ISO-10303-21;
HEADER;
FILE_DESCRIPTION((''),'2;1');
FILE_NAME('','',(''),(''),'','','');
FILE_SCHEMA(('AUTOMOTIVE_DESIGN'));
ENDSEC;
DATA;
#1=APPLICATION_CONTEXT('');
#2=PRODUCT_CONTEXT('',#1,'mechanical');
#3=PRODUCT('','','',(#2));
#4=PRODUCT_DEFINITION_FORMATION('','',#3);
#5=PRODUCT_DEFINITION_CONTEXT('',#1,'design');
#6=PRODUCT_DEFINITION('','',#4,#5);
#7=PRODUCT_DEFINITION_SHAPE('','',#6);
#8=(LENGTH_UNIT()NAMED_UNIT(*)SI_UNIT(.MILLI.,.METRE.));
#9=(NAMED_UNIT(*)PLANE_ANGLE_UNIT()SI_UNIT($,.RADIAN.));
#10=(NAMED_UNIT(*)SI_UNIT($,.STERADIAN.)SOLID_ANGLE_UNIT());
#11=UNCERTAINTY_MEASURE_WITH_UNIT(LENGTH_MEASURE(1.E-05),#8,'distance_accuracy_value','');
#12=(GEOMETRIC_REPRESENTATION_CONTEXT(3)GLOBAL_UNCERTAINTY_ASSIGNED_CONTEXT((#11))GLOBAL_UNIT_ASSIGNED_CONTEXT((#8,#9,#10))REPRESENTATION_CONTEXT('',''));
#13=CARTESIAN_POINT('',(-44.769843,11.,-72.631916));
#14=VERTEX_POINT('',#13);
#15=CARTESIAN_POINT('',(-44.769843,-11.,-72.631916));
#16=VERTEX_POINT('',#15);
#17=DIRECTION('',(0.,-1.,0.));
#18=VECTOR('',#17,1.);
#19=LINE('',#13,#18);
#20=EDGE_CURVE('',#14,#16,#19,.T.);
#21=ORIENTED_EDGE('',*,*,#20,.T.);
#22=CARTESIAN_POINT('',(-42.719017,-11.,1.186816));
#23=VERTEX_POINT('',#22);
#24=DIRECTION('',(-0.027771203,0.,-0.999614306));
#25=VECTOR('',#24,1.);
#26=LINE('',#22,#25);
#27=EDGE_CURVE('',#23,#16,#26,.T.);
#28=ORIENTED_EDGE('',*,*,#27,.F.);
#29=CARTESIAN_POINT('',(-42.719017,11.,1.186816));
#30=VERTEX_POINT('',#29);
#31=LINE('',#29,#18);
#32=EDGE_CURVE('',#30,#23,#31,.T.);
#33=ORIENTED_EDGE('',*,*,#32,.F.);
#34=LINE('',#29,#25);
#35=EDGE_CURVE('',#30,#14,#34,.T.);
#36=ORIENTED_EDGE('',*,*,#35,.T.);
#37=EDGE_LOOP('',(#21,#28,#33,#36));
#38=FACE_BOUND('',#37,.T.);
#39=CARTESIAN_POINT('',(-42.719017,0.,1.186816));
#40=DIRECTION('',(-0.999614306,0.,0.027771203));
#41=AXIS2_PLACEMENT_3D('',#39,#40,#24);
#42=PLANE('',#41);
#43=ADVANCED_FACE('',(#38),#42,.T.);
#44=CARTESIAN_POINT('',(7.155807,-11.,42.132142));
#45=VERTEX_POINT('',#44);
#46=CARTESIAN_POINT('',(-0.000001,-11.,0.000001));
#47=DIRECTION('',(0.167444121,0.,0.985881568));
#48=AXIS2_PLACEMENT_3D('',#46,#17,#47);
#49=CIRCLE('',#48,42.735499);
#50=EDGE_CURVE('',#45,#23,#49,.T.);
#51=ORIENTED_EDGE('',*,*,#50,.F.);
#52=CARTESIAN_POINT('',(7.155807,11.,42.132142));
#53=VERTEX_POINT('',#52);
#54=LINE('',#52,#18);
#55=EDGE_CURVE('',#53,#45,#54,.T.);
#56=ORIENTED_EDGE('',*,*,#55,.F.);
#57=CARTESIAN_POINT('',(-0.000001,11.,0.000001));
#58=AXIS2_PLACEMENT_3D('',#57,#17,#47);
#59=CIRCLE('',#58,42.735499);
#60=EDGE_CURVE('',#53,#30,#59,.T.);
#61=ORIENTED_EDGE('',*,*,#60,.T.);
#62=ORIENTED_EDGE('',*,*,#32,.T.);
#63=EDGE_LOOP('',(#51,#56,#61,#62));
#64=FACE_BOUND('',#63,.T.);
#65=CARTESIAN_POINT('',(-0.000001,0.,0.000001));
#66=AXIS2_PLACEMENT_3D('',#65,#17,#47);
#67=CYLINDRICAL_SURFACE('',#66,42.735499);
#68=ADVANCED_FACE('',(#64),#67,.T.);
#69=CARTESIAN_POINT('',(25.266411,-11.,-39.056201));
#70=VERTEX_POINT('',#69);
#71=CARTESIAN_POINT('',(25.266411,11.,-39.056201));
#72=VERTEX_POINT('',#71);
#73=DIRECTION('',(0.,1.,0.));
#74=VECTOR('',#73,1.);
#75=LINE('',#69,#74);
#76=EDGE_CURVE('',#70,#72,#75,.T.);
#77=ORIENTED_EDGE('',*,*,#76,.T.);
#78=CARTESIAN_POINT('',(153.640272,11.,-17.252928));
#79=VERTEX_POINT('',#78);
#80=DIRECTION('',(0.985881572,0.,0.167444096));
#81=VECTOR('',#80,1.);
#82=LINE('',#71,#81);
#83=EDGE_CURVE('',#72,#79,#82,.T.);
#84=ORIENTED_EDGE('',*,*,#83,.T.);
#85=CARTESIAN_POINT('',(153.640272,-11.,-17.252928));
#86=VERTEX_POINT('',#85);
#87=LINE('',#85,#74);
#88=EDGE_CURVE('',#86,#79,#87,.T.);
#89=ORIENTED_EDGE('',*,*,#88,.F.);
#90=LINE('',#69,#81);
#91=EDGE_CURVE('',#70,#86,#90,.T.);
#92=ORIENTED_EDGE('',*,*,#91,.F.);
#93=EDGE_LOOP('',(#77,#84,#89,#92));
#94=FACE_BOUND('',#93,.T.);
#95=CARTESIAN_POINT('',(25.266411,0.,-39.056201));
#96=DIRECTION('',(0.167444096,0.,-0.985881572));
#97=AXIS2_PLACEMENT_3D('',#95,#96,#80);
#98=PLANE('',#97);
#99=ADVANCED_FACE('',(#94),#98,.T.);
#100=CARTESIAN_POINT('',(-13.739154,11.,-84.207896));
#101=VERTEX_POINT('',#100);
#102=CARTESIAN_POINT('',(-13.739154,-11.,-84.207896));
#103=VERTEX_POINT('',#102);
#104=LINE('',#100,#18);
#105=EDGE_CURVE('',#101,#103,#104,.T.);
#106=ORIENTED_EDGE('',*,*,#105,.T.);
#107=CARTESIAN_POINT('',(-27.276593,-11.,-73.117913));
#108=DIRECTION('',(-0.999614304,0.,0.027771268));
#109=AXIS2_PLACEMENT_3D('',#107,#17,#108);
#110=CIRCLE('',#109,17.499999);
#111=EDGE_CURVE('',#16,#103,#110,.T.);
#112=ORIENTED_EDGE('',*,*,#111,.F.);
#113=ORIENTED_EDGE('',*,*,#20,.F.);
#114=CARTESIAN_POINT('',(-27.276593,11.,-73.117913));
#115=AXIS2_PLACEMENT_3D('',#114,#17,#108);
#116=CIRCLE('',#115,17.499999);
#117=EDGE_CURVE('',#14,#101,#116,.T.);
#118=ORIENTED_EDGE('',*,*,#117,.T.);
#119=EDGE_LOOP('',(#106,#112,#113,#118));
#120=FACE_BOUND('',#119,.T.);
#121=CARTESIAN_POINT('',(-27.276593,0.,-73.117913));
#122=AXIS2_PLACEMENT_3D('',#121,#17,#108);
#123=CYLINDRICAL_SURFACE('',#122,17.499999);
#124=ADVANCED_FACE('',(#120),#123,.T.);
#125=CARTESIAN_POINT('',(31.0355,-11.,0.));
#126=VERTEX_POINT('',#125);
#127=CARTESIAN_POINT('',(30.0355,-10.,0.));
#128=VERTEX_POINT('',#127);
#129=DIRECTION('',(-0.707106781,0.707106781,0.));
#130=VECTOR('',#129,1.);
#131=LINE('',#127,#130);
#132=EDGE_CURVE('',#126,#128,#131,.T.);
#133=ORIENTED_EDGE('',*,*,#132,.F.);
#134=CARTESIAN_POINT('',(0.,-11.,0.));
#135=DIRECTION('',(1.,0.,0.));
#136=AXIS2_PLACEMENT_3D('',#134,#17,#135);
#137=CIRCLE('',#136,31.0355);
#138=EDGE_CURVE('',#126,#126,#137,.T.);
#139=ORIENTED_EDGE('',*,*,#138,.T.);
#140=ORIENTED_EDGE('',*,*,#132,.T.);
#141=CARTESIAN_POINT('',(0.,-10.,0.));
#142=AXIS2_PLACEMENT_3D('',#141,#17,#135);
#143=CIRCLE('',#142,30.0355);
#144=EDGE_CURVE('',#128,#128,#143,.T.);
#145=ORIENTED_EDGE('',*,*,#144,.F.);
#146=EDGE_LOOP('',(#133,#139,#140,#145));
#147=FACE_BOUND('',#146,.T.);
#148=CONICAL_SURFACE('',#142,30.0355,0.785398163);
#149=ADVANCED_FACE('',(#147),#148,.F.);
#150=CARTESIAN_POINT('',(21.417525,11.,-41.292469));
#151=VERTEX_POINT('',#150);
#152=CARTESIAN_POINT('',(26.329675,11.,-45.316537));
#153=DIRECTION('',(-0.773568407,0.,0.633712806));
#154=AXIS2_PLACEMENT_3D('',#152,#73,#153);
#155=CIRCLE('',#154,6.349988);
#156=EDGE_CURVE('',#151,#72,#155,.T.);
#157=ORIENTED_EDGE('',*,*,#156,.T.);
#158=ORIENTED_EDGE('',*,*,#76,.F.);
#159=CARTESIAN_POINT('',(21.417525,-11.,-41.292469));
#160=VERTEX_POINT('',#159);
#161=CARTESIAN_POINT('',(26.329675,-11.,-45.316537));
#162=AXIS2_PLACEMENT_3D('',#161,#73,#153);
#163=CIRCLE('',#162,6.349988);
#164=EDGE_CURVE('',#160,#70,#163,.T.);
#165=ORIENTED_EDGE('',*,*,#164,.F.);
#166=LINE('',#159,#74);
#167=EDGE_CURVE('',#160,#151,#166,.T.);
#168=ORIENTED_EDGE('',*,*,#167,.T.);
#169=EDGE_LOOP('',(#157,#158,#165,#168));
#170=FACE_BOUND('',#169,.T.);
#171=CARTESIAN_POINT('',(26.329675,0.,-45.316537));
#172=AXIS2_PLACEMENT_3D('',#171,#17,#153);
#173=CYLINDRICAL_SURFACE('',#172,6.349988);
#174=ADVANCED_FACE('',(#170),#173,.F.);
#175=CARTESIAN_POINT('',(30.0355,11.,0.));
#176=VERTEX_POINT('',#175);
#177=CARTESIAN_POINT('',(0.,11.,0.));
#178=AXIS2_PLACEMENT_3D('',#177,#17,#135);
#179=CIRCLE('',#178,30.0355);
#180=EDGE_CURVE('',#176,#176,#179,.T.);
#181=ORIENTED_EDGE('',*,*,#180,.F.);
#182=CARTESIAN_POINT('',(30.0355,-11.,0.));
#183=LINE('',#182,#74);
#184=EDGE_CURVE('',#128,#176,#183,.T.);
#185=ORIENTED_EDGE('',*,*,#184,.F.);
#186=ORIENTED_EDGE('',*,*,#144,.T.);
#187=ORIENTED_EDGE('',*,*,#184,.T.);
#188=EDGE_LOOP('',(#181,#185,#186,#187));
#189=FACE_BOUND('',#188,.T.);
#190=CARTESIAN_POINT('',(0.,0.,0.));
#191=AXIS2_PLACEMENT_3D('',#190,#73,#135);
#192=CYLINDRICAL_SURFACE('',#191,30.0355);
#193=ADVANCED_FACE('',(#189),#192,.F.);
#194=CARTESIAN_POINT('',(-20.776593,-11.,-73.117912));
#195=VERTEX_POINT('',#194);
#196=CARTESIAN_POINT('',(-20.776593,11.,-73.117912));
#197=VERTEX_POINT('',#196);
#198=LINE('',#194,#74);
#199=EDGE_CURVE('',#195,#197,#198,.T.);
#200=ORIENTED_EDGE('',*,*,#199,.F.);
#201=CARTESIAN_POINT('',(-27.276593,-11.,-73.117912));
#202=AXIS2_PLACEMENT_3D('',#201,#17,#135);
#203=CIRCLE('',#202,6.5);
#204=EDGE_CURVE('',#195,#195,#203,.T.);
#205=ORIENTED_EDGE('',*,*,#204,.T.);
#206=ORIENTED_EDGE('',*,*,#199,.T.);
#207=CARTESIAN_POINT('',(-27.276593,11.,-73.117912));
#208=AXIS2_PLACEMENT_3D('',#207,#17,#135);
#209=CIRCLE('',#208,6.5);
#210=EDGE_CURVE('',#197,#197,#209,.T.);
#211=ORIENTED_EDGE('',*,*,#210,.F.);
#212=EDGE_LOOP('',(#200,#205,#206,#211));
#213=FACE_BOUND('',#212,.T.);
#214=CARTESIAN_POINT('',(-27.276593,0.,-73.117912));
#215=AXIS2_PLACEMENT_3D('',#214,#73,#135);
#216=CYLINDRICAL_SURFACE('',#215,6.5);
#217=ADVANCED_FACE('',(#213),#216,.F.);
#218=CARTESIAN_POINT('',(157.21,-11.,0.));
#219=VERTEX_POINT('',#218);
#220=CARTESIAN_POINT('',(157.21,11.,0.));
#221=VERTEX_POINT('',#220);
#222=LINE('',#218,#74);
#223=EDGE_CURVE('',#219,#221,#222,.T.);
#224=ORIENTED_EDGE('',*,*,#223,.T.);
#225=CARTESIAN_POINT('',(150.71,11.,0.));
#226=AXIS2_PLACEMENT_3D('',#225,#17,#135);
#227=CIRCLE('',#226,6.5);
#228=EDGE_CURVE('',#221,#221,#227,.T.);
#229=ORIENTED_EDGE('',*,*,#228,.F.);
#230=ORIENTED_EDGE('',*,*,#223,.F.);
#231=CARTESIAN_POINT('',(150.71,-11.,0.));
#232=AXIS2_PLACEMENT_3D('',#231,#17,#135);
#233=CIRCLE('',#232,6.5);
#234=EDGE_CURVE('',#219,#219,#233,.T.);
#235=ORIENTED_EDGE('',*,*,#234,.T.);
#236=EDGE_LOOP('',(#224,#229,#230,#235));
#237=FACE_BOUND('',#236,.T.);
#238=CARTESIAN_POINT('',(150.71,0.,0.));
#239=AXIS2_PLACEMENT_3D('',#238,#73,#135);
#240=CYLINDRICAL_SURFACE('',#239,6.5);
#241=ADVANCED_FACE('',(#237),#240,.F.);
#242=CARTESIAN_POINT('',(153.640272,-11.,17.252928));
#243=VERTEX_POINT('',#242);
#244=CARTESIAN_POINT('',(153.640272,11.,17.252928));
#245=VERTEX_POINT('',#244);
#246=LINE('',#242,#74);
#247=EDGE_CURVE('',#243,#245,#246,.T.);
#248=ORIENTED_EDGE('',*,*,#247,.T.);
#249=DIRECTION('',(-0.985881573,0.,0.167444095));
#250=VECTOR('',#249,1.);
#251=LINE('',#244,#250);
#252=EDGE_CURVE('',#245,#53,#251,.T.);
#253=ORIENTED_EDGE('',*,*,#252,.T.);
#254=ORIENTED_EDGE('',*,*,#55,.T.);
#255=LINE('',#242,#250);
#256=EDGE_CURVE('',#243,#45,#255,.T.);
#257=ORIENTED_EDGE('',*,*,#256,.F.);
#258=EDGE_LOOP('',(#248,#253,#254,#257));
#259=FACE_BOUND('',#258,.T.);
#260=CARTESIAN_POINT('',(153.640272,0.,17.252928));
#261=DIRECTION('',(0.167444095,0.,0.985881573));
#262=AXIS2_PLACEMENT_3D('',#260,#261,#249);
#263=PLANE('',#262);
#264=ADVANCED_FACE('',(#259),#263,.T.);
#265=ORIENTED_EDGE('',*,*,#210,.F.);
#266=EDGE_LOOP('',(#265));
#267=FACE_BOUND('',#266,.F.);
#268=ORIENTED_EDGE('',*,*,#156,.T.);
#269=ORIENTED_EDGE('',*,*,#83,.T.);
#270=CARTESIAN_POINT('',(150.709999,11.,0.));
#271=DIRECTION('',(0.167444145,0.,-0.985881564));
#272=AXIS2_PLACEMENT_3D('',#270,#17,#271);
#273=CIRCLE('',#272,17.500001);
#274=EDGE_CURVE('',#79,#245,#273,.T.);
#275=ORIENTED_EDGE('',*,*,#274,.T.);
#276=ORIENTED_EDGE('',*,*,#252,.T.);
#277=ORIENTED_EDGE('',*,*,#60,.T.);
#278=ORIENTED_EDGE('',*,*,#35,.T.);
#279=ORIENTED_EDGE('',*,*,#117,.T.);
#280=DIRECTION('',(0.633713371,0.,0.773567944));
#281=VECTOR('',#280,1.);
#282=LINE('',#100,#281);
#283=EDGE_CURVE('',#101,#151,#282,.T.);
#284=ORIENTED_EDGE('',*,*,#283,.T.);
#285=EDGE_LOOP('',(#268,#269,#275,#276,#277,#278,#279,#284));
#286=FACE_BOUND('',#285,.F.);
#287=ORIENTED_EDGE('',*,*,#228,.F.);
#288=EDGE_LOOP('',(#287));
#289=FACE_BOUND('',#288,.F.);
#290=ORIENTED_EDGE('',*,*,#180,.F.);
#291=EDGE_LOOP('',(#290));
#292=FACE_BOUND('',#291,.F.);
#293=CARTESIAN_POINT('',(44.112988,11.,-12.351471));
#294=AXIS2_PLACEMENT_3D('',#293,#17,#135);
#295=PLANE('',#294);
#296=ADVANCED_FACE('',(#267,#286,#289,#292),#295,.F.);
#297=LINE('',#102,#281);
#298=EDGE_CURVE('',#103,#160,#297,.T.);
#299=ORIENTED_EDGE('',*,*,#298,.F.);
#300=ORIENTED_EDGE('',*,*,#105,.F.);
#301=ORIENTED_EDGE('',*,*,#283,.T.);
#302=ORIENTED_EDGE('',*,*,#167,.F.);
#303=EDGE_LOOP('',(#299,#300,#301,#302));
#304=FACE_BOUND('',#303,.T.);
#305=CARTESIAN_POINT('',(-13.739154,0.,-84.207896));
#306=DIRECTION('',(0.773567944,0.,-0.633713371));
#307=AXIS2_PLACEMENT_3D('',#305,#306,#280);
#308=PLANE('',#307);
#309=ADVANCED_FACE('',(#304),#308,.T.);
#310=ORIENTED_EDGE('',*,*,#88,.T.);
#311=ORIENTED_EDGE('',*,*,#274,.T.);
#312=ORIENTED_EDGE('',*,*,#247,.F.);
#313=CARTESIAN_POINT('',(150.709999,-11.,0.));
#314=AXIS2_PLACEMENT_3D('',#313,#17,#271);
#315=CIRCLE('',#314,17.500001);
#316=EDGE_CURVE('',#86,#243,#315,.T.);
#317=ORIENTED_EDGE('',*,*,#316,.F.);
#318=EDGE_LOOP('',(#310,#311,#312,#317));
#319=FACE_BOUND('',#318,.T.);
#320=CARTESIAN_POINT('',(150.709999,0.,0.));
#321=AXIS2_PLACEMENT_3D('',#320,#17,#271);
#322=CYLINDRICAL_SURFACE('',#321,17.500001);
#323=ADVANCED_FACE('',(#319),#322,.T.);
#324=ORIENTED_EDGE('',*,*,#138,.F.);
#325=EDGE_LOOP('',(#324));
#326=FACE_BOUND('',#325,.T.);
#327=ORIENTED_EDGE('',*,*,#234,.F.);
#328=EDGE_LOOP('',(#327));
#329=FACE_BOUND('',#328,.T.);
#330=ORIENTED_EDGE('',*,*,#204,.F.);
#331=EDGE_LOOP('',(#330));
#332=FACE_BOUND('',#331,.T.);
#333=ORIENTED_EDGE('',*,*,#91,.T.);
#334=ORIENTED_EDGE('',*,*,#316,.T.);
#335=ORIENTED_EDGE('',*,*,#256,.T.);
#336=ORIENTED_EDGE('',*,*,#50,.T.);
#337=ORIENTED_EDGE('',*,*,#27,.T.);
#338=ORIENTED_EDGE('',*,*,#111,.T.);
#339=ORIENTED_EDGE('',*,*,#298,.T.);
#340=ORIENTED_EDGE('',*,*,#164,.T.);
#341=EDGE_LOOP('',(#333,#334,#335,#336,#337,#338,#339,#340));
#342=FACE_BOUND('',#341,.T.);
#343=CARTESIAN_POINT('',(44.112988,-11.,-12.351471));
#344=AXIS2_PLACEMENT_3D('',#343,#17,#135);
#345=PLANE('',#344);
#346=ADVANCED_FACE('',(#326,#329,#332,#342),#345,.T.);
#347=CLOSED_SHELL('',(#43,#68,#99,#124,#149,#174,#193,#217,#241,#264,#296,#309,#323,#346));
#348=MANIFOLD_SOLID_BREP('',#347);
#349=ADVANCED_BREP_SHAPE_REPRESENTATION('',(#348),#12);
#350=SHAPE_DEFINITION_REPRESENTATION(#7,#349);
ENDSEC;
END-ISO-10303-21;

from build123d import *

# Parameters (mm, degrees)
F0_R     = 6.5
F0_R_2   = 30.0355
F1_DEPTH = 11
F2_SIZE  = 1


with BuildPart() as f1:
    # F0 (on Front) → F1 (new body, symmetric)
    with BuildSketch(Plane.XZ):
        with BuildLine():
            Line((153.640272, 17.252928), (7.155807, 42.132142))
            ThreePointArc((7.155807, 42.132142), (-27.1167, 33.030404), (-42.719017, 1.186816))
            Line((-42.719017, 1.186816), (-44.769843, -72.631916))
            ThreePointArc((-44.769843, -72.631916), (-33.393205, -89.514164), (-13.739154, -84.207896))
            Line((-13.739154, -84.207896), (21.417525, -41.292469))
            ThreePointArc((21.417525, -41.292469), (23.139594, -39.826025), (25.266411, -39.056201))
            Line((25.266411, -39.056201), (153.640272, -17.252928))
            ThreePointArc((153.640272, -17.252928), (168.21, 0), (153.640272, 17.252928))
        make_face()
        with Locations((-27.276593, -73.117912)):
            Circle(F0_R, mode=Mode.SUBTRACT)
        Circle(F0_R_2, mode=Mode.SUBTRACT)
        with Locations((150.71, 0)):
            Circle(F0_R, mode=Mode.SUBTRACT)
    extrude(amount=F1_DEPTH, both=True)

    # F2
    f2_edges = [f1.edges().sort_by_distance(p)[0] for p in [
        (-30.0355, -11, 0),
    ]]
    chamfer(f2_edges, length=F2_SIZE)


solid = f1.part
